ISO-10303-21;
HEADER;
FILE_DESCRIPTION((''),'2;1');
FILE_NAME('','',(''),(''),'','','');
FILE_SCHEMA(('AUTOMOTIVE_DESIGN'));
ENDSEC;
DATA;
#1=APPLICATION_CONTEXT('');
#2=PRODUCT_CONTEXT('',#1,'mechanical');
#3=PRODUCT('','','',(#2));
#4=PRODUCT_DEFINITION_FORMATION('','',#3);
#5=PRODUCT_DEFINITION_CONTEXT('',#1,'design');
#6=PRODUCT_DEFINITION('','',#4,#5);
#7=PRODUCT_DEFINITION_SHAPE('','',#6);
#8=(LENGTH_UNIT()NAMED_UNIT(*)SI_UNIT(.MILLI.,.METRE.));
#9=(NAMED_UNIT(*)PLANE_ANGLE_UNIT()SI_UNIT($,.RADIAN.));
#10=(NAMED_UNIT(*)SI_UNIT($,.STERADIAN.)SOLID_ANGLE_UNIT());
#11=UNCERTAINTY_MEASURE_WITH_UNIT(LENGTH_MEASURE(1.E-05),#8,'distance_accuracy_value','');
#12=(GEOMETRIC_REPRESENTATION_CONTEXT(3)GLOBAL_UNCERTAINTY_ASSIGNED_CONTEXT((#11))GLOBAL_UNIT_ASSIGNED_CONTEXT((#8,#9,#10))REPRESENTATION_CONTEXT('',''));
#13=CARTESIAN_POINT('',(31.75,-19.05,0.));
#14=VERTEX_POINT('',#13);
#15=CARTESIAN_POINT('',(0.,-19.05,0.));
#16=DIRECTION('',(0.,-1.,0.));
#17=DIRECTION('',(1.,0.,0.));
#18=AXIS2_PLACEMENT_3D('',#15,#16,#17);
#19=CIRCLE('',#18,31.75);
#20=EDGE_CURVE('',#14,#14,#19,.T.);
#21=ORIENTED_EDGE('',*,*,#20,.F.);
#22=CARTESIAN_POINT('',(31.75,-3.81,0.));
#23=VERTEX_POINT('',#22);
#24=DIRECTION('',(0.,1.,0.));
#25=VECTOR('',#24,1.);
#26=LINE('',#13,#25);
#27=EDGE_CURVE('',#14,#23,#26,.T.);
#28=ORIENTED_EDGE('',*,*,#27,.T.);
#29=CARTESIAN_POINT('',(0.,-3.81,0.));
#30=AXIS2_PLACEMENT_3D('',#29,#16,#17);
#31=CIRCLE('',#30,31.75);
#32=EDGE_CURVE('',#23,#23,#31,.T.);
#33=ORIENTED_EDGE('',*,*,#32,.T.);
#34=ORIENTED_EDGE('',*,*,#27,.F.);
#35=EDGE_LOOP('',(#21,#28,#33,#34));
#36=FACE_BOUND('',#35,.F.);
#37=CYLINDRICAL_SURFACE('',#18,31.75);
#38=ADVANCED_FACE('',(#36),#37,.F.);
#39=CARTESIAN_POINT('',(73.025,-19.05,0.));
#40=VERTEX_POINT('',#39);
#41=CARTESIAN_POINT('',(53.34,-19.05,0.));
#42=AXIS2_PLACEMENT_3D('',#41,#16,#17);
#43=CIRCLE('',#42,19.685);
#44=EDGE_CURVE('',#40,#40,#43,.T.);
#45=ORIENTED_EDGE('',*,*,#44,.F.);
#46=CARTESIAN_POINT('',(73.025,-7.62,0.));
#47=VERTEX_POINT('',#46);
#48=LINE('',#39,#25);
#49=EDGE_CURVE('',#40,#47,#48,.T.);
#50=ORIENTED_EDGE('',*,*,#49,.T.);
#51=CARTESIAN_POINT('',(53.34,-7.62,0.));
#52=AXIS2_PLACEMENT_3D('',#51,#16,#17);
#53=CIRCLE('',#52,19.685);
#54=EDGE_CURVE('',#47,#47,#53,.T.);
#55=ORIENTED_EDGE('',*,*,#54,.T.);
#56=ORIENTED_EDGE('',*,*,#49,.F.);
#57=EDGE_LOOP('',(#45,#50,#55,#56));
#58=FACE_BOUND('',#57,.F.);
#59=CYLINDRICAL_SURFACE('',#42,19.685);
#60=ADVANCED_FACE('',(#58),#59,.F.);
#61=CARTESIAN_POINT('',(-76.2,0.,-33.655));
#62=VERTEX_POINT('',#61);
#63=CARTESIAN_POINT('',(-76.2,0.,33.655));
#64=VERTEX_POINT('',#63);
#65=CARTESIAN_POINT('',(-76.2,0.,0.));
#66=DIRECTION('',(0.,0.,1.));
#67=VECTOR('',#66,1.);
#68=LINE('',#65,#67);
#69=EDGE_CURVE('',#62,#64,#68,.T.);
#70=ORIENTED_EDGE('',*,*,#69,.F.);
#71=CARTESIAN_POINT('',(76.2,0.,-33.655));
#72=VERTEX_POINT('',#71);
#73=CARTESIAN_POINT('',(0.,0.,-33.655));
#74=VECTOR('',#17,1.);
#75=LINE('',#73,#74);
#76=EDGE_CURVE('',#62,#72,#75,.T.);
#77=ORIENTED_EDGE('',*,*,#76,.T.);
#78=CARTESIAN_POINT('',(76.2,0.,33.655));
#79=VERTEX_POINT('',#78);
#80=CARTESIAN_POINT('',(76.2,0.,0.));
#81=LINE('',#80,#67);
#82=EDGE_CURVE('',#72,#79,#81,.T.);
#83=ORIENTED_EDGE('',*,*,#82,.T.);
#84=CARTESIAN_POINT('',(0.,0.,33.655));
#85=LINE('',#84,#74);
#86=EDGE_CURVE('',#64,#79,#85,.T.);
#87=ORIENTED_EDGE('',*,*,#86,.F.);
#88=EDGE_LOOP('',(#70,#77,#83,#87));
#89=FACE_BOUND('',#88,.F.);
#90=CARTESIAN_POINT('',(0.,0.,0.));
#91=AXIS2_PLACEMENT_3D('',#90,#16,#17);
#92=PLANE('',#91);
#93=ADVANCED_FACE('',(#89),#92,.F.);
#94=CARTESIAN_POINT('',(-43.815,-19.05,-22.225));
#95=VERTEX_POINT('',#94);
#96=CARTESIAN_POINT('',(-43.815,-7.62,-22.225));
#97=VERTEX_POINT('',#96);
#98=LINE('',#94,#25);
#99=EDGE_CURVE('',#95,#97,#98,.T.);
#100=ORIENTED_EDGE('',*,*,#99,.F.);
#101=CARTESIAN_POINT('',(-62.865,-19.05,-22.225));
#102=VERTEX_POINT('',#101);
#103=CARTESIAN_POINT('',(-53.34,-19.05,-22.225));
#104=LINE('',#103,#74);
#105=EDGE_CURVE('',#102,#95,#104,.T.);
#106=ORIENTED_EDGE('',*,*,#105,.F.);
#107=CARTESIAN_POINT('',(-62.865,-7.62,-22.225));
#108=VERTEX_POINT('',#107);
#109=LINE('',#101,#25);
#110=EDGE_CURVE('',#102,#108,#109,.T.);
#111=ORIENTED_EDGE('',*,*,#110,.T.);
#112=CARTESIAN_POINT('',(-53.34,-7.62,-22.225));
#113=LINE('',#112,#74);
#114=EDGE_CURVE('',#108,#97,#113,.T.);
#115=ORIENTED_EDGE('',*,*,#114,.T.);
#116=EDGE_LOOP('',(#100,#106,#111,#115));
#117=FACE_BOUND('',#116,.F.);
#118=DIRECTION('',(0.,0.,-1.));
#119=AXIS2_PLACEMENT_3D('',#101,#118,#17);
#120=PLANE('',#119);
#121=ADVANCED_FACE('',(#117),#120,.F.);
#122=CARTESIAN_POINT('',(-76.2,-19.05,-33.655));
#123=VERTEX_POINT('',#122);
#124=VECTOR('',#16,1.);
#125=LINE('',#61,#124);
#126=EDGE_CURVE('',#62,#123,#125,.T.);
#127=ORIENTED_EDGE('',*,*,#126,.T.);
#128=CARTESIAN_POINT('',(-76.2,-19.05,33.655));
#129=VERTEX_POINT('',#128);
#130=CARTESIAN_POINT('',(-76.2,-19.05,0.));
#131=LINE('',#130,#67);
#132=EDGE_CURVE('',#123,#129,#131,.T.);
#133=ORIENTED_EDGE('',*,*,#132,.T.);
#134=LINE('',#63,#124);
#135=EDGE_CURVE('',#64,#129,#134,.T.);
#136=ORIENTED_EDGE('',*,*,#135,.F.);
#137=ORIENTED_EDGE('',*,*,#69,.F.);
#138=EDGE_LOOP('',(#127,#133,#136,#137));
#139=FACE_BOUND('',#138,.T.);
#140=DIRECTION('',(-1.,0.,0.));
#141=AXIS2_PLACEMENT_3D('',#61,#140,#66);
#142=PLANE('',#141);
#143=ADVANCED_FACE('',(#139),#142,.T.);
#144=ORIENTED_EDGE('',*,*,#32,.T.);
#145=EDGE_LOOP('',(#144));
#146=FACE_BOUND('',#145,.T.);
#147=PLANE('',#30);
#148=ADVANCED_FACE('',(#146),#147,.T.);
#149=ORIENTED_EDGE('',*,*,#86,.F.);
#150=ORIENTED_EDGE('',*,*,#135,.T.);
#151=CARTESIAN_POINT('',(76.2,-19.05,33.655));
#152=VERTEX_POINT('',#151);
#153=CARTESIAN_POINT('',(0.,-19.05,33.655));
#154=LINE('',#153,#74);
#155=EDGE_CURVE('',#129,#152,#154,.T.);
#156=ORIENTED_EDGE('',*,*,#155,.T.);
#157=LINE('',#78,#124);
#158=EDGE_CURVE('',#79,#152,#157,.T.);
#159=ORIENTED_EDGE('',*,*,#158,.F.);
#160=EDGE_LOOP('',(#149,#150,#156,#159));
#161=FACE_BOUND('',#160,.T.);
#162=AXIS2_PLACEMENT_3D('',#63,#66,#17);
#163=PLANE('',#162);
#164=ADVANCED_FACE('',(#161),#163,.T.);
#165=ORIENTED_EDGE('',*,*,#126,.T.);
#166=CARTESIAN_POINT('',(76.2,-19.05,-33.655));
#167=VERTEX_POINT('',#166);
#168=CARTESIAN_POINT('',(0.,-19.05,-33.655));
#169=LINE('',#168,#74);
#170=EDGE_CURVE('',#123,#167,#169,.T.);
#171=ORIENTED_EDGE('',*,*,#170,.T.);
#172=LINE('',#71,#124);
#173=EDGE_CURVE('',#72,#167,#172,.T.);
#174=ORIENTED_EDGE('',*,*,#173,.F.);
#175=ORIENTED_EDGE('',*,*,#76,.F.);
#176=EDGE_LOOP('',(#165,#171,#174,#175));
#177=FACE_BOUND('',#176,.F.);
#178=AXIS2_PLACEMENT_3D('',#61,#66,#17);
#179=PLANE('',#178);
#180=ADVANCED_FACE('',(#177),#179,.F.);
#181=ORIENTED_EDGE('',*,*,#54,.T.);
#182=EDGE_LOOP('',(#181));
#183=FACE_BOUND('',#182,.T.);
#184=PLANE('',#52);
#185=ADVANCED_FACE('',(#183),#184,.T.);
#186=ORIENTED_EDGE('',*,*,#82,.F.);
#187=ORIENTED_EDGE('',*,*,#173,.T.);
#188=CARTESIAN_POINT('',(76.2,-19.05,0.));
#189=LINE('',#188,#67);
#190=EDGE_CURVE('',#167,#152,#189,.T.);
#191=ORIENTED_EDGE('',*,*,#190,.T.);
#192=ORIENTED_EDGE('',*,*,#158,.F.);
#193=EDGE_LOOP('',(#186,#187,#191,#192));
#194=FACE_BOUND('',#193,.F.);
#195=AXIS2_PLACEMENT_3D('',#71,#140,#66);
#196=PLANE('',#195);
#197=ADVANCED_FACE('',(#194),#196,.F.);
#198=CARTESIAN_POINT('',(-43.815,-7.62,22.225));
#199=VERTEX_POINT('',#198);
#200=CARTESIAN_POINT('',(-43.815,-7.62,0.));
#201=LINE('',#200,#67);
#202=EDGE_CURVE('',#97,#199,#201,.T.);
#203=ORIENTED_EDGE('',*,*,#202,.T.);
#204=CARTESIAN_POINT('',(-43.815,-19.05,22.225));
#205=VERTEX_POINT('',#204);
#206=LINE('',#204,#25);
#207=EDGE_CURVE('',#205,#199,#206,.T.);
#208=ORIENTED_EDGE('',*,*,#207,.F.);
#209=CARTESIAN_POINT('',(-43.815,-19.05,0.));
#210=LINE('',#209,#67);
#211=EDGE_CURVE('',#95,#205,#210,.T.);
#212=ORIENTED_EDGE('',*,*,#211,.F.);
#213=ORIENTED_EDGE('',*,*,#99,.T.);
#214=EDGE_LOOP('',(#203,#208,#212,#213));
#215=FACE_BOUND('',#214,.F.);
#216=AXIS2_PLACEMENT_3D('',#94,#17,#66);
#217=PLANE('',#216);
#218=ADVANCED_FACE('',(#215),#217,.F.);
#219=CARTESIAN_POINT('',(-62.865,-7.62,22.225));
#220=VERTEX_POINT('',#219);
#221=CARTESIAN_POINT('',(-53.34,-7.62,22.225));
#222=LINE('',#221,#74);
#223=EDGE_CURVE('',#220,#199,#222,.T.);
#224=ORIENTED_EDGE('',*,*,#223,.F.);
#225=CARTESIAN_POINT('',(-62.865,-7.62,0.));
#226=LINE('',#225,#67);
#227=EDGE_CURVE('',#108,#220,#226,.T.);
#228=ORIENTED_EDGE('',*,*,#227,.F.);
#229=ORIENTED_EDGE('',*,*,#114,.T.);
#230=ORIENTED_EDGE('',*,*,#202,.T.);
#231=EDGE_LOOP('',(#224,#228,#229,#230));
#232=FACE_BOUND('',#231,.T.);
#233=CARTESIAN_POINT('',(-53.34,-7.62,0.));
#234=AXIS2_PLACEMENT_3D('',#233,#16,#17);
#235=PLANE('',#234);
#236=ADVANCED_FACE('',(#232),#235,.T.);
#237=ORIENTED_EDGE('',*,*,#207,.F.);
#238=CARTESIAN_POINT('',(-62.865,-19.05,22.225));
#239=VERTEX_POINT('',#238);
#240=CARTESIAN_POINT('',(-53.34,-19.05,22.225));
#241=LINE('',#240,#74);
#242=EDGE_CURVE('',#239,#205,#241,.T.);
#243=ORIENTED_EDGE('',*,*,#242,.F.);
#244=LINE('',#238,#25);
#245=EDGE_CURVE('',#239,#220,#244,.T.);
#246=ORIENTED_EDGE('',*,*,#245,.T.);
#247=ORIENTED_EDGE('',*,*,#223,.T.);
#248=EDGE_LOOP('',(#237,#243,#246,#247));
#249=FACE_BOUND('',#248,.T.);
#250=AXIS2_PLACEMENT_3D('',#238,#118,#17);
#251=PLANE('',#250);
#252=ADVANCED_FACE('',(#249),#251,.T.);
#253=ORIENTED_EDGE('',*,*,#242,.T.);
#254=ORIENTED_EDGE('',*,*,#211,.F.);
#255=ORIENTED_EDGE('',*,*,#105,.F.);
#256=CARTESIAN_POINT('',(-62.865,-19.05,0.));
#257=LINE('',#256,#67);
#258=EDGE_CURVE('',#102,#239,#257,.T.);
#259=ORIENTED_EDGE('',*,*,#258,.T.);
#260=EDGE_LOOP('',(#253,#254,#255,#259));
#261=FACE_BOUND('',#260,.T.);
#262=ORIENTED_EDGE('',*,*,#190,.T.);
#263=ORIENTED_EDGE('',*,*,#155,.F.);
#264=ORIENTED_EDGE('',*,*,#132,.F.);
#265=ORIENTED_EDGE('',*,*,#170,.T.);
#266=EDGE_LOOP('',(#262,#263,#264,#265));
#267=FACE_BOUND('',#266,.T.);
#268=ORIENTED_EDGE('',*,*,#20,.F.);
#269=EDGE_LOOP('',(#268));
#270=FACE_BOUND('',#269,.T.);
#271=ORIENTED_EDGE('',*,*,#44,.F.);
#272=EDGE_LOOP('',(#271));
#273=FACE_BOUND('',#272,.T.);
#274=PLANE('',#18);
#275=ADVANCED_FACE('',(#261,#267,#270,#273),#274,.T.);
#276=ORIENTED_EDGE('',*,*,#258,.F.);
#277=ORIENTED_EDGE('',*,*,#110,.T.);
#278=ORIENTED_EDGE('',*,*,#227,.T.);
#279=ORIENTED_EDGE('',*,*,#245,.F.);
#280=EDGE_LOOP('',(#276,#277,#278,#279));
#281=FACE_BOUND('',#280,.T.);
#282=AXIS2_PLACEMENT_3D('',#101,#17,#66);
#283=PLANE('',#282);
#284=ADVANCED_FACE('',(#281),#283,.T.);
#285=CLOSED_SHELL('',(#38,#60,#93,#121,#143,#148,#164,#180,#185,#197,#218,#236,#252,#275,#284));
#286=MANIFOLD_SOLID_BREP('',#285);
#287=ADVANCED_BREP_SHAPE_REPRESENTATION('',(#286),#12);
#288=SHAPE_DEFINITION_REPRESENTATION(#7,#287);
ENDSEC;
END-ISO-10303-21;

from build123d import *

# Parameters (mm, degrees)
F0_W     = 152.4
F0_H     = 67.31
F1_DEPTH = 19.05
F2_R     = 31.75
F3_DEPTH = 15.24
F4_R     = 19.685
F5_DEPTH = 11.43
F6_W     = 19.05
F6_H     = 44.45
F7_DEPTH = 11.43


with BuildPart() as f1:
    # F0 (on Front) → F1 (new body)
    with BuildSketch(Plane.XZ):
        Rectangle(F0_W, F0_H)
    extrude(amount=F1_DEPTH)

    # F2 (on face) → F3 (cut)
    with BuildSketch(Plane.XZ.offset(19.05)):
        Circle(F2_R)
    extrude(amount=-F3_DEPTH, mode=Mode.SUBTRACT)

    # F4 (on face) → F5 (cut)
    with BuildSketch(Plane.XZ.offset(19.05)):
        with Locations((53.34, 0)):
            Circle(F4_R)
    extrude(amount=-F5_DEPTH, mode=Mode.SUBTRACT)

    # F6 (on face) → F7 (cut)
    with BuildSketch(Plane.XZ.offset(19.05)):
        with Locations((-53.34, 0)):
            Rectangle(F6_W, F6_H)
    extrude(amount=-F7_DEPTH, mode=Mode.SUBTRACT)


solid = f1.part
